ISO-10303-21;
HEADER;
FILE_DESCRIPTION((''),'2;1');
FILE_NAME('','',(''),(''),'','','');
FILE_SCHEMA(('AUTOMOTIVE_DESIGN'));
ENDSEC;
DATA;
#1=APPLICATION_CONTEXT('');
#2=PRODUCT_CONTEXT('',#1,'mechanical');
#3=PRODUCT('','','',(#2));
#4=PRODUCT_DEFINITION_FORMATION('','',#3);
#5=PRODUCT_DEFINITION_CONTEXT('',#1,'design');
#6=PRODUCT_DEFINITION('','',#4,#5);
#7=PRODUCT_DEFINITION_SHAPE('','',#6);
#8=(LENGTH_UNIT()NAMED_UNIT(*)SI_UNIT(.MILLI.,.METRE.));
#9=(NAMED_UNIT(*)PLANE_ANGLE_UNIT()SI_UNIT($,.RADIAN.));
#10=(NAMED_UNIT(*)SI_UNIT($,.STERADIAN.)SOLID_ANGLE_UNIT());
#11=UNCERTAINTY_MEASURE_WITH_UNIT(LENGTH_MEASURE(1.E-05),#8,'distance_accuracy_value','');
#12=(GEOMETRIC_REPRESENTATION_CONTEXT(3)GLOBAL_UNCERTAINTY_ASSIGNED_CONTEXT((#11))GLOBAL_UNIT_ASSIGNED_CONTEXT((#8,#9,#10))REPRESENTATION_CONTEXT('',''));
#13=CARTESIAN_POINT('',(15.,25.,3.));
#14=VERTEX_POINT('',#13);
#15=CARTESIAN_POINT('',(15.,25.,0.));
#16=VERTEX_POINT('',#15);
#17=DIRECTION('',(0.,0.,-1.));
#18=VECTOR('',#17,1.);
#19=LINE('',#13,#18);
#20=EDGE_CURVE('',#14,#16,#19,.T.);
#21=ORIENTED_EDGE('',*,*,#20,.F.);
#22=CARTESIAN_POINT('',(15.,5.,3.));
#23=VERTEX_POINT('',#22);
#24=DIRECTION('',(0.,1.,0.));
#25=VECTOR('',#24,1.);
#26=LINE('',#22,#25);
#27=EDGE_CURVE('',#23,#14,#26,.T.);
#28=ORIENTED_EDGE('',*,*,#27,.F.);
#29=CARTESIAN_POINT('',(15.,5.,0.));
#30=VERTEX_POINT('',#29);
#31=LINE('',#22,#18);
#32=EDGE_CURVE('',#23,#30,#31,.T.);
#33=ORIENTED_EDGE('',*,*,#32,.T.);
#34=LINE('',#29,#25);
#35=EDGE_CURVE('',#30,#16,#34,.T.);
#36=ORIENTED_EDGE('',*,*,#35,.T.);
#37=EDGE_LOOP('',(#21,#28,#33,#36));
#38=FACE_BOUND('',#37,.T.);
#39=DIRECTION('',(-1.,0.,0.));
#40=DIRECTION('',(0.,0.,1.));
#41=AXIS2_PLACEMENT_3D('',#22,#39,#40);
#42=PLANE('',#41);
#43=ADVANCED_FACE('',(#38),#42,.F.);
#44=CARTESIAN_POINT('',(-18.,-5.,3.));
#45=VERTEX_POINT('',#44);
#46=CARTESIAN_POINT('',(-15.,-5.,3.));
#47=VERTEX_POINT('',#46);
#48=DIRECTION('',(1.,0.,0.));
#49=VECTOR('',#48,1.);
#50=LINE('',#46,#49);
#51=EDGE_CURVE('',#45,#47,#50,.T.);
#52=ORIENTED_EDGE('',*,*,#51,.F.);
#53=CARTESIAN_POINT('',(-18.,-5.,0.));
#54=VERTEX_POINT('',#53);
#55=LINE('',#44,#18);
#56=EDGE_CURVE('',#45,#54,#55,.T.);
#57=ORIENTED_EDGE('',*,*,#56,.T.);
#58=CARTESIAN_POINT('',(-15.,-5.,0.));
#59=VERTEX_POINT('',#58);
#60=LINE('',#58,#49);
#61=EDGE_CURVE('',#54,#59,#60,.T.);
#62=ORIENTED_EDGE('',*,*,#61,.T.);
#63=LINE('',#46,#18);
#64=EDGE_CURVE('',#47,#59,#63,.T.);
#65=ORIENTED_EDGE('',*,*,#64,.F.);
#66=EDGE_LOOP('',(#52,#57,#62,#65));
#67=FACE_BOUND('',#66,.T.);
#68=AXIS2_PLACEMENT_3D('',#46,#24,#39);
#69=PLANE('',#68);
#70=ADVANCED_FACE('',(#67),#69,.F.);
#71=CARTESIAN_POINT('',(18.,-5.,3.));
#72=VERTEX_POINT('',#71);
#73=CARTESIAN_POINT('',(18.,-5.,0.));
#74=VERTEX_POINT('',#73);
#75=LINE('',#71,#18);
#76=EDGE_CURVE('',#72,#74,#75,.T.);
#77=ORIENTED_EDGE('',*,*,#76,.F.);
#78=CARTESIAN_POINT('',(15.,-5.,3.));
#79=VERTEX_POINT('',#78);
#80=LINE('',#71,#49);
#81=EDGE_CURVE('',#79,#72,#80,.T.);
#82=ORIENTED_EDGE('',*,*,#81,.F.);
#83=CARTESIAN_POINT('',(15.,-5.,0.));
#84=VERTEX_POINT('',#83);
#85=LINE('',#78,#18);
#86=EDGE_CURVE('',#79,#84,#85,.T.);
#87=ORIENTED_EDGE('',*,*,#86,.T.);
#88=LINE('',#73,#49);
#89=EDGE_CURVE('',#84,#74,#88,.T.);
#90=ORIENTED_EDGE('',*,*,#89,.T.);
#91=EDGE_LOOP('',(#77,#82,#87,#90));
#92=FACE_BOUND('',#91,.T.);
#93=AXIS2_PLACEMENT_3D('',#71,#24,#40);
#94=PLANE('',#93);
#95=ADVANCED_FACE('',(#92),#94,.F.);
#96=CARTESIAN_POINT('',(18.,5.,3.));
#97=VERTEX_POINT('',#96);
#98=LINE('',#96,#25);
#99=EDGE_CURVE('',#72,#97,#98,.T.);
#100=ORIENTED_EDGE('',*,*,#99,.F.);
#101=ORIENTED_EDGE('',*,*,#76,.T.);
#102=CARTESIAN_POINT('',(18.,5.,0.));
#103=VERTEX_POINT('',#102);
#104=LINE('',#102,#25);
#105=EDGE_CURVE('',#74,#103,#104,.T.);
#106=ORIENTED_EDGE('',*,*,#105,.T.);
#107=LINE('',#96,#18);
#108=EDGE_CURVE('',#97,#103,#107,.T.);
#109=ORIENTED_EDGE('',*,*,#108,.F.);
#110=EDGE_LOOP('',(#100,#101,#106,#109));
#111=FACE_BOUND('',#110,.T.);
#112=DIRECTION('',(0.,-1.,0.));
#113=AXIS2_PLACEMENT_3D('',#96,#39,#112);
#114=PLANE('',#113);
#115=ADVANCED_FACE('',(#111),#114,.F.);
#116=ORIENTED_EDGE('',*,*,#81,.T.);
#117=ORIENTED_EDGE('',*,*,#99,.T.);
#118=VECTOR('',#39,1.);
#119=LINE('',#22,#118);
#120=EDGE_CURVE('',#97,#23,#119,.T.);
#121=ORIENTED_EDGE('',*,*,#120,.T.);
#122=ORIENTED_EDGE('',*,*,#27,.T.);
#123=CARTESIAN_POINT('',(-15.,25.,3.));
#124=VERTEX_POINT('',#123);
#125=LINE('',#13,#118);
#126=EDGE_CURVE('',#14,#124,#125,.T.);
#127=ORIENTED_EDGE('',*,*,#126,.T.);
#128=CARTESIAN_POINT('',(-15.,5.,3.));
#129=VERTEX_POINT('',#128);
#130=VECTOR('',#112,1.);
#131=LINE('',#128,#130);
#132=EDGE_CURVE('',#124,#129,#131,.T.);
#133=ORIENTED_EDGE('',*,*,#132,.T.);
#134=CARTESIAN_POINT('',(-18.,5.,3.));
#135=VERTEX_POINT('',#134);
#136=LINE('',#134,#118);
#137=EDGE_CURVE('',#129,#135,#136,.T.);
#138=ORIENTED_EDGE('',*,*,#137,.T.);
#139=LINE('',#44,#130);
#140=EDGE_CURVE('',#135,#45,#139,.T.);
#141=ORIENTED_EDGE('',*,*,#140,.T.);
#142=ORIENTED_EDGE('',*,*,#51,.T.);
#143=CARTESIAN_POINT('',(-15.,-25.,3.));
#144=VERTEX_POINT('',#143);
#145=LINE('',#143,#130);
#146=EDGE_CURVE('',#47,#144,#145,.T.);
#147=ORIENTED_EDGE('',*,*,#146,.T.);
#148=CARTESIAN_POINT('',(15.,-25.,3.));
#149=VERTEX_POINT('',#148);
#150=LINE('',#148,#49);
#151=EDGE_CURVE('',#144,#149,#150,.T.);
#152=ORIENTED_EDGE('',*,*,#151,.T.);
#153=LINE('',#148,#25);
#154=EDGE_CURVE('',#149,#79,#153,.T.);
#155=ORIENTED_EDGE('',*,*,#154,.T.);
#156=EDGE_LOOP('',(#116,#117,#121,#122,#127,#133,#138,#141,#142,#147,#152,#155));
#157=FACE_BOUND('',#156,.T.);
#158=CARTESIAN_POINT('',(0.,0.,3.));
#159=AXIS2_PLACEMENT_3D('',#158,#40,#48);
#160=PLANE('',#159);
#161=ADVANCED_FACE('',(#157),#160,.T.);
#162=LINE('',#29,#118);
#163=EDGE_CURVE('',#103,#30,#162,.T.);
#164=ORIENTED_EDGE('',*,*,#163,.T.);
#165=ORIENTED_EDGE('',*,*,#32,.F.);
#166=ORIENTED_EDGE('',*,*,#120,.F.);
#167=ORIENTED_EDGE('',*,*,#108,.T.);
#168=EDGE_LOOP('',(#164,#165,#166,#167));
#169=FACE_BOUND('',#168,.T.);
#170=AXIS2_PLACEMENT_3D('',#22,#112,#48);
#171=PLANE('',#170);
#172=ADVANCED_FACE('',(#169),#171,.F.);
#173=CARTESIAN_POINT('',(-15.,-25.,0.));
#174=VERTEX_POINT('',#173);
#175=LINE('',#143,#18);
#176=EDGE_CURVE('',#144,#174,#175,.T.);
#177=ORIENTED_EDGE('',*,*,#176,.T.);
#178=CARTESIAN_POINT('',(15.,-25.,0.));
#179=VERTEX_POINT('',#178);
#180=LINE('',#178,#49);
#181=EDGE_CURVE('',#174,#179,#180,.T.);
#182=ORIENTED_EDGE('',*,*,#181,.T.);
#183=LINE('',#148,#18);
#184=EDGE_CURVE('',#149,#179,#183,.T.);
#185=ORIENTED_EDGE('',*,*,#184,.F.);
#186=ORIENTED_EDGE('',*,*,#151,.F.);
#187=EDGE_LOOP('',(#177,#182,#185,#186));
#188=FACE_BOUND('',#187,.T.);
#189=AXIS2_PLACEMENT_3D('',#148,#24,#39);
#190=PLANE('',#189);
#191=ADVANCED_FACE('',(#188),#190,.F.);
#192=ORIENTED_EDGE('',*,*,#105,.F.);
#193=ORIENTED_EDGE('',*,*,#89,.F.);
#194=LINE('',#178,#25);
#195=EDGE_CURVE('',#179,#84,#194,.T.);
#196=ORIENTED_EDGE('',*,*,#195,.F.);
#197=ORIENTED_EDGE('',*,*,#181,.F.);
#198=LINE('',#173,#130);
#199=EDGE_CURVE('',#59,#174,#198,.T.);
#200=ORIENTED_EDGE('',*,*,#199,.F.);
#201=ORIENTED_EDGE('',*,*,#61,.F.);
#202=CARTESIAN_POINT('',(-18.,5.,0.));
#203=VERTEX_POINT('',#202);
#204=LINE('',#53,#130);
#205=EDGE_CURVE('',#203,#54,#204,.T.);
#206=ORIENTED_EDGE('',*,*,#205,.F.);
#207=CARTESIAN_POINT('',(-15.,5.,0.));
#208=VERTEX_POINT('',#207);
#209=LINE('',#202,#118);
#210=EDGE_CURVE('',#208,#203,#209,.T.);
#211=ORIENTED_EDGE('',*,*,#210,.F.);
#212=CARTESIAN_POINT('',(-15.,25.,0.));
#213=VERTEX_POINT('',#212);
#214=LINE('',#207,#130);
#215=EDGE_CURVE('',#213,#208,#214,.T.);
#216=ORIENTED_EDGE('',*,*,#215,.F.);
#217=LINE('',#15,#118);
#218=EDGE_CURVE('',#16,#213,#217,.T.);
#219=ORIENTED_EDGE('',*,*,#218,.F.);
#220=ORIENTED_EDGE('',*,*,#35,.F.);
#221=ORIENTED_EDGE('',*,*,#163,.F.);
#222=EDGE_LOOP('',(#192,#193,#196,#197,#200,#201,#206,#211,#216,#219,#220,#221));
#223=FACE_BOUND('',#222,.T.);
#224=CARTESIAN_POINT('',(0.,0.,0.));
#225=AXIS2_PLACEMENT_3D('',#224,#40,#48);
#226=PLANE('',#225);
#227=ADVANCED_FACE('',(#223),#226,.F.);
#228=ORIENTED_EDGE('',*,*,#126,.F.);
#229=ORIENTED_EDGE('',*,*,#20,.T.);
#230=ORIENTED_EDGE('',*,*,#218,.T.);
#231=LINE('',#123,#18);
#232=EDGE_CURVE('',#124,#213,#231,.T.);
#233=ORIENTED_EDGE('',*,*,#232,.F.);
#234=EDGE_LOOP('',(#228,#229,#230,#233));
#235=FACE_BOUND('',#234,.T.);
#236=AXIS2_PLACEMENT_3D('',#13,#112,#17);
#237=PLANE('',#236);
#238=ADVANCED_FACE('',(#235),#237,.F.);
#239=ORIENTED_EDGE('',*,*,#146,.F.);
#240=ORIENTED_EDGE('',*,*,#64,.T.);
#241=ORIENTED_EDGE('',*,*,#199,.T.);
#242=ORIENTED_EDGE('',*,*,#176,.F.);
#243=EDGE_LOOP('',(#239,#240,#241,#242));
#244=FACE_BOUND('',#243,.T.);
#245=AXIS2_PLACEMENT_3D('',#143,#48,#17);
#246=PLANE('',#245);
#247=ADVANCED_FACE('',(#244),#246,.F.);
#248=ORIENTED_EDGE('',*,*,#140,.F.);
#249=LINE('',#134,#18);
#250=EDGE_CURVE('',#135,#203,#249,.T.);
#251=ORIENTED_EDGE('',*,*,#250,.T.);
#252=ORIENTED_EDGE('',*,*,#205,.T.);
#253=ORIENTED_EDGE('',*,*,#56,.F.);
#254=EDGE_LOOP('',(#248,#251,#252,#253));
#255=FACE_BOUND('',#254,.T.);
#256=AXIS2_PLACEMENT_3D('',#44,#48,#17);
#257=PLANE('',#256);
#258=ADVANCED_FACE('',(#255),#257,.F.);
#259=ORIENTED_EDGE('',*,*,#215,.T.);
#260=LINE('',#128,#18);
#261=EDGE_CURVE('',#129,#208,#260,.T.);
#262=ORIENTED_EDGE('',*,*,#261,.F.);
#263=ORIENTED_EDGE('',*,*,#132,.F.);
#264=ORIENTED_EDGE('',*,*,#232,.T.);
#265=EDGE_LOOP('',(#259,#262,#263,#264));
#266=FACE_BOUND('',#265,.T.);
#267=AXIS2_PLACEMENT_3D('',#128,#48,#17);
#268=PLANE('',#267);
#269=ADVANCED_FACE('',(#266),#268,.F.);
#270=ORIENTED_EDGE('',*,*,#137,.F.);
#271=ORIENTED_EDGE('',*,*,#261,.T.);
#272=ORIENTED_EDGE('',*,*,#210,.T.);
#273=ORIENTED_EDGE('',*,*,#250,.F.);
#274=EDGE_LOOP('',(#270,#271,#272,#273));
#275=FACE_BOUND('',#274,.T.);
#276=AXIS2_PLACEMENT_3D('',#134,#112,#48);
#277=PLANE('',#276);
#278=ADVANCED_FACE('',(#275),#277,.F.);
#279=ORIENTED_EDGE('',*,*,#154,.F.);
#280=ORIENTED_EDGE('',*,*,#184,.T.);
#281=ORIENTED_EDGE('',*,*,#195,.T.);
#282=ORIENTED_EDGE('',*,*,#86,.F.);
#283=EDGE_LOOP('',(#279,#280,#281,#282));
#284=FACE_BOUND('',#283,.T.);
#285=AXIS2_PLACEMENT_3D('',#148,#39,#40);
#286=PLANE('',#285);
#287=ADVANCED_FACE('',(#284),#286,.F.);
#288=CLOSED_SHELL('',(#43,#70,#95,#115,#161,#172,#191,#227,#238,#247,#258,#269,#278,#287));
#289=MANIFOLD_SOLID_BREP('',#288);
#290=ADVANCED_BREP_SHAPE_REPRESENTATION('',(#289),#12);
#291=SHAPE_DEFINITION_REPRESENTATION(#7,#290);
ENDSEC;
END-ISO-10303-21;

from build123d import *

# Parameters (mm, degrees)
BOSS_EXTRUDE1_DEPTH = 3


with BuildPart() as part:
    # Sketch1 → Boss-Extrude1 (new body)
    with BuildSketch(Plane.XY):
        Polygon((-15, -5), (-18, -5), (-18, 5), (-15, 5), (-15, 25), (15, 25), (15, 5), (18, 5), (18, -5), (15, -5), (15, -25), (-15, -25), align=None)
    extrude(amount=BOSS_EXTRUDE1_DEPTH)


solid = part.part
